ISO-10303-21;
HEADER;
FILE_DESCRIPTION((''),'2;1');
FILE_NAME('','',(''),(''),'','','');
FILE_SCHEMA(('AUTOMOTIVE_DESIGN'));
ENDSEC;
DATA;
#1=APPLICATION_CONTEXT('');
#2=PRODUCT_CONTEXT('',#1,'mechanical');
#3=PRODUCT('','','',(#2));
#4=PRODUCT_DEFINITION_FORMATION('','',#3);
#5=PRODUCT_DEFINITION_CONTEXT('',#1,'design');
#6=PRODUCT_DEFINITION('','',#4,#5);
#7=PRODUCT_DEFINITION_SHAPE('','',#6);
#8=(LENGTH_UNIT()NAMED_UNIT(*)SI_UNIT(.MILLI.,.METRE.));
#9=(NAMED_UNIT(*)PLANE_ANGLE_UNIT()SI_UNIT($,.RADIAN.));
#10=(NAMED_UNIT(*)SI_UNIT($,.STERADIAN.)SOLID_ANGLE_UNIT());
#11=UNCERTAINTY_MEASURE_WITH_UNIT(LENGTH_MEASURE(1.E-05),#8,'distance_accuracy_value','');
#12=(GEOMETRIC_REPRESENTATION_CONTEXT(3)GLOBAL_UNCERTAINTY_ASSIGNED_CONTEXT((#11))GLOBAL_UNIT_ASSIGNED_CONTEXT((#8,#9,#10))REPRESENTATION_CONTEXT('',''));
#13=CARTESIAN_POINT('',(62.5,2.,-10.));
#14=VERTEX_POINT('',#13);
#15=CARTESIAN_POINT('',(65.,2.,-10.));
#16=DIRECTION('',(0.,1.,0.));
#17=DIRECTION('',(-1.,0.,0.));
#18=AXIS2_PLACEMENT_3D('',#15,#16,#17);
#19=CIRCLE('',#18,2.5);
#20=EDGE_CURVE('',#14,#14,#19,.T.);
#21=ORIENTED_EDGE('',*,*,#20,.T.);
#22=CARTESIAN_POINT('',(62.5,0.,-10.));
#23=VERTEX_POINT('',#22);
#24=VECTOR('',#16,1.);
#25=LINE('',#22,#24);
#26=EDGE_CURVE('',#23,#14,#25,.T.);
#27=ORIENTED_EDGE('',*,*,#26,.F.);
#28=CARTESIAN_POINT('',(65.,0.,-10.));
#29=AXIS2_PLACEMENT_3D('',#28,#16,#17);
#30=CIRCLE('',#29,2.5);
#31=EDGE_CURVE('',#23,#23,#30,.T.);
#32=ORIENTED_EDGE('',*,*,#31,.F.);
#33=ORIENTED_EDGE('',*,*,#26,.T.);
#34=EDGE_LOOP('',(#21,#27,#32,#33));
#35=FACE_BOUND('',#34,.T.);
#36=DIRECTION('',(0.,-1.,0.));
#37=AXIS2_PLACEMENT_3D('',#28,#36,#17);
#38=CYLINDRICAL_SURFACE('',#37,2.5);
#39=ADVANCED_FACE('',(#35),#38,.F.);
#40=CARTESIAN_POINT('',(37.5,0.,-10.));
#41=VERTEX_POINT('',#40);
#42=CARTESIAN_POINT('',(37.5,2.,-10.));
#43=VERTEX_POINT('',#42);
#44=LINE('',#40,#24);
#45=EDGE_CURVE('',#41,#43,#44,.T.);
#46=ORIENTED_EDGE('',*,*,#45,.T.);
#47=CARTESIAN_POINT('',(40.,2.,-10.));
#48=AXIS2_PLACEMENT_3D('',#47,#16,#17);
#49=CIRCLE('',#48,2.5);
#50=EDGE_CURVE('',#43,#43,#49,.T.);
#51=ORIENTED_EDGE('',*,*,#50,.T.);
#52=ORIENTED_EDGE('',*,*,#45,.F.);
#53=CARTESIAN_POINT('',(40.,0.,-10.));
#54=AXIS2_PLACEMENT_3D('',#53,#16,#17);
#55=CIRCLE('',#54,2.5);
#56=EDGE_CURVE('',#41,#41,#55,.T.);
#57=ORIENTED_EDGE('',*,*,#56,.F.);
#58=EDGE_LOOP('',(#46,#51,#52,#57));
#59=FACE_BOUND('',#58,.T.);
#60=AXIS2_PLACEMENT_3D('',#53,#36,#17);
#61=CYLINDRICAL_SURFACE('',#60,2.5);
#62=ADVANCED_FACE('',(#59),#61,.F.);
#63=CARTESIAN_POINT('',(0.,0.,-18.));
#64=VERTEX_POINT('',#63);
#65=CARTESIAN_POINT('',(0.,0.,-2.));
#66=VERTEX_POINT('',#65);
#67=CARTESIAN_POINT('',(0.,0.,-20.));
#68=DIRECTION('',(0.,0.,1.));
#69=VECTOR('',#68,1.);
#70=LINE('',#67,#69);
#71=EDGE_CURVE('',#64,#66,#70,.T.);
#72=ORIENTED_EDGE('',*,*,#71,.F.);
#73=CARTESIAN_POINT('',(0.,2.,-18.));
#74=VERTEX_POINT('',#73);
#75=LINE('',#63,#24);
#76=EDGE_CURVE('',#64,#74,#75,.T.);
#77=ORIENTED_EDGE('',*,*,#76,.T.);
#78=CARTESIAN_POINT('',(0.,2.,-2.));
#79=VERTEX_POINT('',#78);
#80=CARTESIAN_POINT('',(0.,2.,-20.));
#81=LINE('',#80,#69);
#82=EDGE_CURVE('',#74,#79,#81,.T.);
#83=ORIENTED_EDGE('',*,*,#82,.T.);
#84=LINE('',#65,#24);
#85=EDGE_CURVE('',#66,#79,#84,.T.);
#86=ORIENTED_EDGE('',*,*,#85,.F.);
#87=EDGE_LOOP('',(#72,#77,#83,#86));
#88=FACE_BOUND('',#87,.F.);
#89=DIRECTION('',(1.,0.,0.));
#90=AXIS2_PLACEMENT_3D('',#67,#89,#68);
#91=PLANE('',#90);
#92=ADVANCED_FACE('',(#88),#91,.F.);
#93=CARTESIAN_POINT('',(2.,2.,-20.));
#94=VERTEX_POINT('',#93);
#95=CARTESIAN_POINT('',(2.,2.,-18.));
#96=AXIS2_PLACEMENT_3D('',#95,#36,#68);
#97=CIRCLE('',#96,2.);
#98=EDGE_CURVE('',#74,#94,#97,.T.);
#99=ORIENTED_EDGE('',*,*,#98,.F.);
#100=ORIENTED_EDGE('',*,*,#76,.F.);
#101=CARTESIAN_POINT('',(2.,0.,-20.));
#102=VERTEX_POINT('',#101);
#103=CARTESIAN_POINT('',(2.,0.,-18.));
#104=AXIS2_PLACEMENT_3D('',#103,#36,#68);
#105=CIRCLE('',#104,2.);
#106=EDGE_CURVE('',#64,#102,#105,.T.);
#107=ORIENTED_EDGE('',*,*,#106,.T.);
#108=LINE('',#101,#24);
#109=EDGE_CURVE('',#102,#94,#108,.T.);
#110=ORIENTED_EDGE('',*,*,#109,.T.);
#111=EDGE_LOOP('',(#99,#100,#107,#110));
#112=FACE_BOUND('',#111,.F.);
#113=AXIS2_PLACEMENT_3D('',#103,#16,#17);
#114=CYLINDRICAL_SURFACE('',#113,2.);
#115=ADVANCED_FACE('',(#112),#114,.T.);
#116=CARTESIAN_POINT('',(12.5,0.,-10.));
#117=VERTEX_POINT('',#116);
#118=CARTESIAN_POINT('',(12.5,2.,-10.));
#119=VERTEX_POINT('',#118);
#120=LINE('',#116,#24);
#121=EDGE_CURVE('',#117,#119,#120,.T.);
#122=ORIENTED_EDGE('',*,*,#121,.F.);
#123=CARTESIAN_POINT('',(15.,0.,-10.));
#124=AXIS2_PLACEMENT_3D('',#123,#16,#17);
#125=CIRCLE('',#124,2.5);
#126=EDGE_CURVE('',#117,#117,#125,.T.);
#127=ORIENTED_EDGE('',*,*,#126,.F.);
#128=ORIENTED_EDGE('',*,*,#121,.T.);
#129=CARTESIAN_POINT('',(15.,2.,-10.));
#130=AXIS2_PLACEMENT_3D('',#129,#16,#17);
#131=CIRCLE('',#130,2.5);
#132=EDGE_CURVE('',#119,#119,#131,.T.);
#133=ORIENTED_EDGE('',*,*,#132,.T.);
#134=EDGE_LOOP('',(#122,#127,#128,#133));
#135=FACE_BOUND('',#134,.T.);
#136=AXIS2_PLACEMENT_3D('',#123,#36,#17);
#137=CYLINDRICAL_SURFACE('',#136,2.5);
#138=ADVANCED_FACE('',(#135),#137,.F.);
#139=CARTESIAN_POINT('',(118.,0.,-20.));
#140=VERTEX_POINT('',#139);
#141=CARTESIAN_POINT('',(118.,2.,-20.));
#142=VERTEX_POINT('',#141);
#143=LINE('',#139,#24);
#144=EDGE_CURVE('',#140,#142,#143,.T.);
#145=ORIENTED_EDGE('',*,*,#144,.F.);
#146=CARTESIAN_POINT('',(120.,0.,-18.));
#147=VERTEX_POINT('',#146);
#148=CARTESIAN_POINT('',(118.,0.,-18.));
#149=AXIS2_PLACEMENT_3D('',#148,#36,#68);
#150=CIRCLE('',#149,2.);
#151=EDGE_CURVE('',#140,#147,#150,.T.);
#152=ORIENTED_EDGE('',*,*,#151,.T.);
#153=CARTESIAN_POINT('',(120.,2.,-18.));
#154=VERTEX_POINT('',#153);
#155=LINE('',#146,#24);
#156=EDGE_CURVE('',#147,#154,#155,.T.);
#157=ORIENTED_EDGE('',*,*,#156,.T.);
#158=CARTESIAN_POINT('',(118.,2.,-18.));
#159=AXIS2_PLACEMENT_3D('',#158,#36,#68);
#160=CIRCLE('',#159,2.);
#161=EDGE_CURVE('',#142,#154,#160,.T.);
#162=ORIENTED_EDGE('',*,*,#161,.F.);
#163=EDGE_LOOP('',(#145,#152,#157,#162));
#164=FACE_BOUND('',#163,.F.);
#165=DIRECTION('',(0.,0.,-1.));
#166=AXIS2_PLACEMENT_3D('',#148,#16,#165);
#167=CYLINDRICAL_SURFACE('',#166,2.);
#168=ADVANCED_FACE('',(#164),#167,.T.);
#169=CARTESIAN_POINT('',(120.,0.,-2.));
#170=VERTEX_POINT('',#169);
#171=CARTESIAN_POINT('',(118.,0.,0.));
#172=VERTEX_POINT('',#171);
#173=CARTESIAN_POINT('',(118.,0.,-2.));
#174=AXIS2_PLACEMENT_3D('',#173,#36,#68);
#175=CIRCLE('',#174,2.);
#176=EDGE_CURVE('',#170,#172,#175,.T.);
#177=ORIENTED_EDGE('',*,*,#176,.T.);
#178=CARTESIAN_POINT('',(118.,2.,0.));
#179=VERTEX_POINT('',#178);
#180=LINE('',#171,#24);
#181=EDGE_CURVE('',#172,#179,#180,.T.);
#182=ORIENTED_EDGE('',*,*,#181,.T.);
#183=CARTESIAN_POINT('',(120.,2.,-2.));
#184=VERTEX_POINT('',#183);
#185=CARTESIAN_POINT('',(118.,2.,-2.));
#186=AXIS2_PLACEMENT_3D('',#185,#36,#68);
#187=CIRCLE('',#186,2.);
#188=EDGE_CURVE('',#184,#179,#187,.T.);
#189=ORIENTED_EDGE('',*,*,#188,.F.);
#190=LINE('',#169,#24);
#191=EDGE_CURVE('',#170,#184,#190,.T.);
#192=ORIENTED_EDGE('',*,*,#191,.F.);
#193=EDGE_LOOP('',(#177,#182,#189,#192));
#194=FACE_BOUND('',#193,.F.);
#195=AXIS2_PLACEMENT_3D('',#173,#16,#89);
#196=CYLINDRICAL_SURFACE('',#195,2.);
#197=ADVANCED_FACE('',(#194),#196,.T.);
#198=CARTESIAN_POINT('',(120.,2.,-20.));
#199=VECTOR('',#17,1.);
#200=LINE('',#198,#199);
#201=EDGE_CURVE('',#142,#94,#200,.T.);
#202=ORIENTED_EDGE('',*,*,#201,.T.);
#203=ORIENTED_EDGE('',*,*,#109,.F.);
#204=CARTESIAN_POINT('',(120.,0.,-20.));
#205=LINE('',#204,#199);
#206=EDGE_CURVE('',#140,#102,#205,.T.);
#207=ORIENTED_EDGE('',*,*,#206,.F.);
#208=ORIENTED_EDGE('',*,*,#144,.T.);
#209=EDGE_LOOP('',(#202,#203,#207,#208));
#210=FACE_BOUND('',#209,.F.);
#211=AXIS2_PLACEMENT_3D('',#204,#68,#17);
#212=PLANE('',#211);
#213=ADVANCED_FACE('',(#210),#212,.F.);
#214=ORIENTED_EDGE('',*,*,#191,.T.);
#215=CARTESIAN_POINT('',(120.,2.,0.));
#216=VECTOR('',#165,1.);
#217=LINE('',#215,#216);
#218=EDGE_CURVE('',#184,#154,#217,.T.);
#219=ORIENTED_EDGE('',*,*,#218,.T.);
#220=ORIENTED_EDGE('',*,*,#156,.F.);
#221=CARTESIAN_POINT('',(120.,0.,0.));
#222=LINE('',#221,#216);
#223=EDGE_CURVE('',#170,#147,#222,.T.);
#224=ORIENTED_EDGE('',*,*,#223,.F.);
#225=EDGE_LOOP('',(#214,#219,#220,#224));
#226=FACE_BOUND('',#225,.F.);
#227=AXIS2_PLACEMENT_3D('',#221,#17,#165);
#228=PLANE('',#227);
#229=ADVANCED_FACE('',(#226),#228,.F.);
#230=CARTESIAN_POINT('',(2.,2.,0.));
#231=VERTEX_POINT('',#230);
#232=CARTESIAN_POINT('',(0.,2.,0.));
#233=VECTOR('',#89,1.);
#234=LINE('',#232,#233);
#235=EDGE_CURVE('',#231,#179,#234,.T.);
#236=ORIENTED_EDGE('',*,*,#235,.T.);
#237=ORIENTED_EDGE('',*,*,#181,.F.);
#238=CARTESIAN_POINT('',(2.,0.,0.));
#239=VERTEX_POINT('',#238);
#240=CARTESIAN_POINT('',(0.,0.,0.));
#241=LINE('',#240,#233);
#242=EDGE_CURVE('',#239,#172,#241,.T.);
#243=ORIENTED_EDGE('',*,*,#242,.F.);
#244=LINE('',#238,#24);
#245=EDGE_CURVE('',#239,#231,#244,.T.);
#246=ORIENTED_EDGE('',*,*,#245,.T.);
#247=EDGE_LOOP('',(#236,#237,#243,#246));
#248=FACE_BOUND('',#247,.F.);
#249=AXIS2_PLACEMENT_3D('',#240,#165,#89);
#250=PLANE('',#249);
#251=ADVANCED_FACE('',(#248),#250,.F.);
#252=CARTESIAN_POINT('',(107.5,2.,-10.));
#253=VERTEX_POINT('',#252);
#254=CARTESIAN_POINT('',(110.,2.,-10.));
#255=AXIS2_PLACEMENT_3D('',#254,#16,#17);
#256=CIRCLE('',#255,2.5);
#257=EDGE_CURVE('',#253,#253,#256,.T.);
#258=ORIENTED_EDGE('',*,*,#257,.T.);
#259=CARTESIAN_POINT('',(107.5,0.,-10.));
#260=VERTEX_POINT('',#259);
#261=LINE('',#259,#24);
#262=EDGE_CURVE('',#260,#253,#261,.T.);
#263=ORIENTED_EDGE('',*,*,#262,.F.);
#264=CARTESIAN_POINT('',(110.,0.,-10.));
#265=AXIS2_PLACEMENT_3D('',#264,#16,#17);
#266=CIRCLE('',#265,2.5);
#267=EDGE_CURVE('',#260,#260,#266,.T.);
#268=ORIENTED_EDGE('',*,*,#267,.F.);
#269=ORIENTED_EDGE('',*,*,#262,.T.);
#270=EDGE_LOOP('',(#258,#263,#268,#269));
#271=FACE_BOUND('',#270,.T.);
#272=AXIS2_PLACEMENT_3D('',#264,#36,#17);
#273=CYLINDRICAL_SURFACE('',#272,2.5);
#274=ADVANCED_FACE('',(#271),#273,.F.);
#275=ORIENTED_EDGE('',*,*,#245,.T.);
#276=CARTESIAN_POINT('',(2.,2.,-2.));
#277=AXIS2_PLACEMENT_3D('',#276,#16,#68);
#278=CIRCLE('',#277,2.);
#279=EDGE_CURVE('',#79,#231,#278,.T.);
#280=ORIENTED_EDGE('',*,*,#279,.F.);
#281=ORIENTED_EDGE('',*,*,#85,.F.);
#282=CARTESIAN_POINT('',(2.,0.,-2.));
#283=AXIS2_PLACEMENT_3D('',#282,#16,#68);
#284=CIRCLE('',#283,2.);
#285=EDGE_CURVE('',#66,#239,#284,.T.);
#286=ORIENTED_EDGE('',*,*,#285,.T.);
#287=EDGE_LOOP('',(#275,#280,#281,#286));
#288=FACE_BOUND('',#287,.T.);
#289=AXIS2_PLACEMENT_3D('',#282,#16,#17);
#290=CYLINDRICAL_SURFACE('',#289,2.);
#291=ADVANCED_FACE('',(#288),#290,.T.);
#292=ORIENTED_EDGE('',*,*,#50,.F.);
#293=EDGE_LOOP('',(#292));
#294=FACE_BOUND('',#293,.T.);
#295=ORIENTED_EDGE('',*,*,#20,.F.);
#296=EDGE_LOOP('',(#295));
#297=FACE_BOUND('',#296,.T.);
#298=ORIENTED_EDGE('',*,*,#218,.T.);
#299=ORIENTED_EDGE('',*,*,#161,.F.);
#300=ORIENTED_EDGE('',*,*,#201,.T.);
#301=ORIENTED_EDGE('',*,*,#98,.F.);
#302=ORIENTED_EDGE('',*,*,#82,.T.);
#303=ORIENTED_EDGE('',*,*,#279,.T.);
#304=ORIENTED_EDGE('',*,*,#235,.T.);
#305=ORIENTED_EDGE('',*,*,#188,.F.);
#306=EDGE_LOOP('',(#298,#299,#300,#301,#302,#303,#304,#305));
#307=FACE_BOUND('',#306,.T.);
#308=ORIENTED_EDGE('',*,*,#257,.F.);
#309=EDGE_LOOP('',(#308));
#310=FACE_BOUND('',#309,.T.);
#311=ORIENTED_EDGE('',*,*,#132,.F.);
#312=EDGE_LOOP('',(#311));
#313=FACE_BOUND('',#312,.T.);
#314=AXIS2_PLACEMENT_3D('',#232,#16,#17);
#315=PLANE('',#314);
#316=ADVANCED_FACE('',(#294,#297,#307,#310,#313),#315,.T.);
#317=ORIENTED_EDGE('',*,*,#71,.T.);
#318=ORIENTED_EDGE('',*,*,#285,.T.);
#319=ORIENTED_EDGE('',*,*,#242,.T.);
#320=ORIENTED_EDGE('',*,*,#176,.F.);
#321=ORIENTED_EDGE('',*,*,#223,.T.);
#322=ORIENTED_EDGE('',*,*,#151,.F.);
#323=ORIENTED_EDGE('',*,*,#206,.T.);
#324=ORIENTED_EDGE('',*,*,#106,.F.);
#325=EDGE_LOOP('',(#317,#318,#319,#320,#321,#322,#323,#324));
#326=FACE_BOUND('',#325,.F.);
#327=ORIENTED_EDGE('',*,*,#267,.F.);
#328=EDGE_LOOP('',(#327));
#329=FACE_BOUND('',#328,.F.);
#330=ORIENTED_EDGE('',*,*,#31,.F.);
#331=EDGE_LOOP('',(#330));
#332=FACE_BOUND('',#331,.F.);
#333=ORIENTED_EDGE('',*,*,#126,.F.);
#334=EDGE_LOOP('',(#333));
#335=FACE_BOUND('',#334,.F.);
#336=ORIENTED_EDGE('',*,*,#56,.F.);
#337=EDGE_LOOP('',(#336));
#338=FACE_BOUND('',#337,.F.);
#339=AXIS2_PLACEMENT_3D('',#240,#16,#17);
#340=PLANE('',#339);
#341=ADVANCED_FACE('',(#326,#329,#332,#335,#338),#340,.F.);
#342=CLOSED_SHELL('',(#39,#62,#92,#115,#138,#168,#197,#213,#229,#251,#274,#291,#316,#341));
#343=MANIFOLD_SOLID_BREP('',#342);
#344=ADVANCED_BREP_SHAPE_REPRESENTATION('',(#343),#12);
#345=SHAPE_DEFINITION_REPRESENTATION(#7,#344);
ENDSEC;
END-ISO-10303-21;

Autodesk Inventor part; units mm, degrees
ref_plane "YZ Plane" through (0, 0, 0) normal (1, 0, 0) x (0, 1, 0)
ref_plane "XZ Plane" through (0, 0, 0) normal (0, 1, 0) x (-1, 0, 0)
ref_plane "XY Plane" through (0, 0, 0) normal (0, 0, 1) x (1, 0, 0)
sketch "Sketch4" plane through (0, 0, 0) normal (0, 1, 0) x (-1, 0, 0)
  line L0 (0, 0) -> (-120, 0)
  line L1 (-120, 0) -> (-120, -20)
  line L2 (-120, -20) -> (0, -20)
  line L3 (0, -20) -> (0, 0)
  circle A0 centre (-15, -10) radius 2.5
  circle A1 centre (-40, -10) radius 2.5
  circle A2 centre (-65, -10) radius 2.5
  circle A3 centre (-110, -10) radius 2.5
  dimension "d6" = 120
  dimension "d7" = 20
  dimension "d11" = 5
  dimension "d12" = 5
  dimension "d13" = 5
  dimension "d14" = 5
  dimension "d15" = 10
  dimension "d16" = 15
  dimension "d17" = 25
  dimension "d18" = 25
extrude "Extrusion2" add sketch "Sketch4" along normal blind 2
fillet "Fillet2" radius 2 4 edges at (0, 1, -20) (0, 1, 0) (120, 1, 0) (120, 1, -20)
properties part number "Connector_H2"
